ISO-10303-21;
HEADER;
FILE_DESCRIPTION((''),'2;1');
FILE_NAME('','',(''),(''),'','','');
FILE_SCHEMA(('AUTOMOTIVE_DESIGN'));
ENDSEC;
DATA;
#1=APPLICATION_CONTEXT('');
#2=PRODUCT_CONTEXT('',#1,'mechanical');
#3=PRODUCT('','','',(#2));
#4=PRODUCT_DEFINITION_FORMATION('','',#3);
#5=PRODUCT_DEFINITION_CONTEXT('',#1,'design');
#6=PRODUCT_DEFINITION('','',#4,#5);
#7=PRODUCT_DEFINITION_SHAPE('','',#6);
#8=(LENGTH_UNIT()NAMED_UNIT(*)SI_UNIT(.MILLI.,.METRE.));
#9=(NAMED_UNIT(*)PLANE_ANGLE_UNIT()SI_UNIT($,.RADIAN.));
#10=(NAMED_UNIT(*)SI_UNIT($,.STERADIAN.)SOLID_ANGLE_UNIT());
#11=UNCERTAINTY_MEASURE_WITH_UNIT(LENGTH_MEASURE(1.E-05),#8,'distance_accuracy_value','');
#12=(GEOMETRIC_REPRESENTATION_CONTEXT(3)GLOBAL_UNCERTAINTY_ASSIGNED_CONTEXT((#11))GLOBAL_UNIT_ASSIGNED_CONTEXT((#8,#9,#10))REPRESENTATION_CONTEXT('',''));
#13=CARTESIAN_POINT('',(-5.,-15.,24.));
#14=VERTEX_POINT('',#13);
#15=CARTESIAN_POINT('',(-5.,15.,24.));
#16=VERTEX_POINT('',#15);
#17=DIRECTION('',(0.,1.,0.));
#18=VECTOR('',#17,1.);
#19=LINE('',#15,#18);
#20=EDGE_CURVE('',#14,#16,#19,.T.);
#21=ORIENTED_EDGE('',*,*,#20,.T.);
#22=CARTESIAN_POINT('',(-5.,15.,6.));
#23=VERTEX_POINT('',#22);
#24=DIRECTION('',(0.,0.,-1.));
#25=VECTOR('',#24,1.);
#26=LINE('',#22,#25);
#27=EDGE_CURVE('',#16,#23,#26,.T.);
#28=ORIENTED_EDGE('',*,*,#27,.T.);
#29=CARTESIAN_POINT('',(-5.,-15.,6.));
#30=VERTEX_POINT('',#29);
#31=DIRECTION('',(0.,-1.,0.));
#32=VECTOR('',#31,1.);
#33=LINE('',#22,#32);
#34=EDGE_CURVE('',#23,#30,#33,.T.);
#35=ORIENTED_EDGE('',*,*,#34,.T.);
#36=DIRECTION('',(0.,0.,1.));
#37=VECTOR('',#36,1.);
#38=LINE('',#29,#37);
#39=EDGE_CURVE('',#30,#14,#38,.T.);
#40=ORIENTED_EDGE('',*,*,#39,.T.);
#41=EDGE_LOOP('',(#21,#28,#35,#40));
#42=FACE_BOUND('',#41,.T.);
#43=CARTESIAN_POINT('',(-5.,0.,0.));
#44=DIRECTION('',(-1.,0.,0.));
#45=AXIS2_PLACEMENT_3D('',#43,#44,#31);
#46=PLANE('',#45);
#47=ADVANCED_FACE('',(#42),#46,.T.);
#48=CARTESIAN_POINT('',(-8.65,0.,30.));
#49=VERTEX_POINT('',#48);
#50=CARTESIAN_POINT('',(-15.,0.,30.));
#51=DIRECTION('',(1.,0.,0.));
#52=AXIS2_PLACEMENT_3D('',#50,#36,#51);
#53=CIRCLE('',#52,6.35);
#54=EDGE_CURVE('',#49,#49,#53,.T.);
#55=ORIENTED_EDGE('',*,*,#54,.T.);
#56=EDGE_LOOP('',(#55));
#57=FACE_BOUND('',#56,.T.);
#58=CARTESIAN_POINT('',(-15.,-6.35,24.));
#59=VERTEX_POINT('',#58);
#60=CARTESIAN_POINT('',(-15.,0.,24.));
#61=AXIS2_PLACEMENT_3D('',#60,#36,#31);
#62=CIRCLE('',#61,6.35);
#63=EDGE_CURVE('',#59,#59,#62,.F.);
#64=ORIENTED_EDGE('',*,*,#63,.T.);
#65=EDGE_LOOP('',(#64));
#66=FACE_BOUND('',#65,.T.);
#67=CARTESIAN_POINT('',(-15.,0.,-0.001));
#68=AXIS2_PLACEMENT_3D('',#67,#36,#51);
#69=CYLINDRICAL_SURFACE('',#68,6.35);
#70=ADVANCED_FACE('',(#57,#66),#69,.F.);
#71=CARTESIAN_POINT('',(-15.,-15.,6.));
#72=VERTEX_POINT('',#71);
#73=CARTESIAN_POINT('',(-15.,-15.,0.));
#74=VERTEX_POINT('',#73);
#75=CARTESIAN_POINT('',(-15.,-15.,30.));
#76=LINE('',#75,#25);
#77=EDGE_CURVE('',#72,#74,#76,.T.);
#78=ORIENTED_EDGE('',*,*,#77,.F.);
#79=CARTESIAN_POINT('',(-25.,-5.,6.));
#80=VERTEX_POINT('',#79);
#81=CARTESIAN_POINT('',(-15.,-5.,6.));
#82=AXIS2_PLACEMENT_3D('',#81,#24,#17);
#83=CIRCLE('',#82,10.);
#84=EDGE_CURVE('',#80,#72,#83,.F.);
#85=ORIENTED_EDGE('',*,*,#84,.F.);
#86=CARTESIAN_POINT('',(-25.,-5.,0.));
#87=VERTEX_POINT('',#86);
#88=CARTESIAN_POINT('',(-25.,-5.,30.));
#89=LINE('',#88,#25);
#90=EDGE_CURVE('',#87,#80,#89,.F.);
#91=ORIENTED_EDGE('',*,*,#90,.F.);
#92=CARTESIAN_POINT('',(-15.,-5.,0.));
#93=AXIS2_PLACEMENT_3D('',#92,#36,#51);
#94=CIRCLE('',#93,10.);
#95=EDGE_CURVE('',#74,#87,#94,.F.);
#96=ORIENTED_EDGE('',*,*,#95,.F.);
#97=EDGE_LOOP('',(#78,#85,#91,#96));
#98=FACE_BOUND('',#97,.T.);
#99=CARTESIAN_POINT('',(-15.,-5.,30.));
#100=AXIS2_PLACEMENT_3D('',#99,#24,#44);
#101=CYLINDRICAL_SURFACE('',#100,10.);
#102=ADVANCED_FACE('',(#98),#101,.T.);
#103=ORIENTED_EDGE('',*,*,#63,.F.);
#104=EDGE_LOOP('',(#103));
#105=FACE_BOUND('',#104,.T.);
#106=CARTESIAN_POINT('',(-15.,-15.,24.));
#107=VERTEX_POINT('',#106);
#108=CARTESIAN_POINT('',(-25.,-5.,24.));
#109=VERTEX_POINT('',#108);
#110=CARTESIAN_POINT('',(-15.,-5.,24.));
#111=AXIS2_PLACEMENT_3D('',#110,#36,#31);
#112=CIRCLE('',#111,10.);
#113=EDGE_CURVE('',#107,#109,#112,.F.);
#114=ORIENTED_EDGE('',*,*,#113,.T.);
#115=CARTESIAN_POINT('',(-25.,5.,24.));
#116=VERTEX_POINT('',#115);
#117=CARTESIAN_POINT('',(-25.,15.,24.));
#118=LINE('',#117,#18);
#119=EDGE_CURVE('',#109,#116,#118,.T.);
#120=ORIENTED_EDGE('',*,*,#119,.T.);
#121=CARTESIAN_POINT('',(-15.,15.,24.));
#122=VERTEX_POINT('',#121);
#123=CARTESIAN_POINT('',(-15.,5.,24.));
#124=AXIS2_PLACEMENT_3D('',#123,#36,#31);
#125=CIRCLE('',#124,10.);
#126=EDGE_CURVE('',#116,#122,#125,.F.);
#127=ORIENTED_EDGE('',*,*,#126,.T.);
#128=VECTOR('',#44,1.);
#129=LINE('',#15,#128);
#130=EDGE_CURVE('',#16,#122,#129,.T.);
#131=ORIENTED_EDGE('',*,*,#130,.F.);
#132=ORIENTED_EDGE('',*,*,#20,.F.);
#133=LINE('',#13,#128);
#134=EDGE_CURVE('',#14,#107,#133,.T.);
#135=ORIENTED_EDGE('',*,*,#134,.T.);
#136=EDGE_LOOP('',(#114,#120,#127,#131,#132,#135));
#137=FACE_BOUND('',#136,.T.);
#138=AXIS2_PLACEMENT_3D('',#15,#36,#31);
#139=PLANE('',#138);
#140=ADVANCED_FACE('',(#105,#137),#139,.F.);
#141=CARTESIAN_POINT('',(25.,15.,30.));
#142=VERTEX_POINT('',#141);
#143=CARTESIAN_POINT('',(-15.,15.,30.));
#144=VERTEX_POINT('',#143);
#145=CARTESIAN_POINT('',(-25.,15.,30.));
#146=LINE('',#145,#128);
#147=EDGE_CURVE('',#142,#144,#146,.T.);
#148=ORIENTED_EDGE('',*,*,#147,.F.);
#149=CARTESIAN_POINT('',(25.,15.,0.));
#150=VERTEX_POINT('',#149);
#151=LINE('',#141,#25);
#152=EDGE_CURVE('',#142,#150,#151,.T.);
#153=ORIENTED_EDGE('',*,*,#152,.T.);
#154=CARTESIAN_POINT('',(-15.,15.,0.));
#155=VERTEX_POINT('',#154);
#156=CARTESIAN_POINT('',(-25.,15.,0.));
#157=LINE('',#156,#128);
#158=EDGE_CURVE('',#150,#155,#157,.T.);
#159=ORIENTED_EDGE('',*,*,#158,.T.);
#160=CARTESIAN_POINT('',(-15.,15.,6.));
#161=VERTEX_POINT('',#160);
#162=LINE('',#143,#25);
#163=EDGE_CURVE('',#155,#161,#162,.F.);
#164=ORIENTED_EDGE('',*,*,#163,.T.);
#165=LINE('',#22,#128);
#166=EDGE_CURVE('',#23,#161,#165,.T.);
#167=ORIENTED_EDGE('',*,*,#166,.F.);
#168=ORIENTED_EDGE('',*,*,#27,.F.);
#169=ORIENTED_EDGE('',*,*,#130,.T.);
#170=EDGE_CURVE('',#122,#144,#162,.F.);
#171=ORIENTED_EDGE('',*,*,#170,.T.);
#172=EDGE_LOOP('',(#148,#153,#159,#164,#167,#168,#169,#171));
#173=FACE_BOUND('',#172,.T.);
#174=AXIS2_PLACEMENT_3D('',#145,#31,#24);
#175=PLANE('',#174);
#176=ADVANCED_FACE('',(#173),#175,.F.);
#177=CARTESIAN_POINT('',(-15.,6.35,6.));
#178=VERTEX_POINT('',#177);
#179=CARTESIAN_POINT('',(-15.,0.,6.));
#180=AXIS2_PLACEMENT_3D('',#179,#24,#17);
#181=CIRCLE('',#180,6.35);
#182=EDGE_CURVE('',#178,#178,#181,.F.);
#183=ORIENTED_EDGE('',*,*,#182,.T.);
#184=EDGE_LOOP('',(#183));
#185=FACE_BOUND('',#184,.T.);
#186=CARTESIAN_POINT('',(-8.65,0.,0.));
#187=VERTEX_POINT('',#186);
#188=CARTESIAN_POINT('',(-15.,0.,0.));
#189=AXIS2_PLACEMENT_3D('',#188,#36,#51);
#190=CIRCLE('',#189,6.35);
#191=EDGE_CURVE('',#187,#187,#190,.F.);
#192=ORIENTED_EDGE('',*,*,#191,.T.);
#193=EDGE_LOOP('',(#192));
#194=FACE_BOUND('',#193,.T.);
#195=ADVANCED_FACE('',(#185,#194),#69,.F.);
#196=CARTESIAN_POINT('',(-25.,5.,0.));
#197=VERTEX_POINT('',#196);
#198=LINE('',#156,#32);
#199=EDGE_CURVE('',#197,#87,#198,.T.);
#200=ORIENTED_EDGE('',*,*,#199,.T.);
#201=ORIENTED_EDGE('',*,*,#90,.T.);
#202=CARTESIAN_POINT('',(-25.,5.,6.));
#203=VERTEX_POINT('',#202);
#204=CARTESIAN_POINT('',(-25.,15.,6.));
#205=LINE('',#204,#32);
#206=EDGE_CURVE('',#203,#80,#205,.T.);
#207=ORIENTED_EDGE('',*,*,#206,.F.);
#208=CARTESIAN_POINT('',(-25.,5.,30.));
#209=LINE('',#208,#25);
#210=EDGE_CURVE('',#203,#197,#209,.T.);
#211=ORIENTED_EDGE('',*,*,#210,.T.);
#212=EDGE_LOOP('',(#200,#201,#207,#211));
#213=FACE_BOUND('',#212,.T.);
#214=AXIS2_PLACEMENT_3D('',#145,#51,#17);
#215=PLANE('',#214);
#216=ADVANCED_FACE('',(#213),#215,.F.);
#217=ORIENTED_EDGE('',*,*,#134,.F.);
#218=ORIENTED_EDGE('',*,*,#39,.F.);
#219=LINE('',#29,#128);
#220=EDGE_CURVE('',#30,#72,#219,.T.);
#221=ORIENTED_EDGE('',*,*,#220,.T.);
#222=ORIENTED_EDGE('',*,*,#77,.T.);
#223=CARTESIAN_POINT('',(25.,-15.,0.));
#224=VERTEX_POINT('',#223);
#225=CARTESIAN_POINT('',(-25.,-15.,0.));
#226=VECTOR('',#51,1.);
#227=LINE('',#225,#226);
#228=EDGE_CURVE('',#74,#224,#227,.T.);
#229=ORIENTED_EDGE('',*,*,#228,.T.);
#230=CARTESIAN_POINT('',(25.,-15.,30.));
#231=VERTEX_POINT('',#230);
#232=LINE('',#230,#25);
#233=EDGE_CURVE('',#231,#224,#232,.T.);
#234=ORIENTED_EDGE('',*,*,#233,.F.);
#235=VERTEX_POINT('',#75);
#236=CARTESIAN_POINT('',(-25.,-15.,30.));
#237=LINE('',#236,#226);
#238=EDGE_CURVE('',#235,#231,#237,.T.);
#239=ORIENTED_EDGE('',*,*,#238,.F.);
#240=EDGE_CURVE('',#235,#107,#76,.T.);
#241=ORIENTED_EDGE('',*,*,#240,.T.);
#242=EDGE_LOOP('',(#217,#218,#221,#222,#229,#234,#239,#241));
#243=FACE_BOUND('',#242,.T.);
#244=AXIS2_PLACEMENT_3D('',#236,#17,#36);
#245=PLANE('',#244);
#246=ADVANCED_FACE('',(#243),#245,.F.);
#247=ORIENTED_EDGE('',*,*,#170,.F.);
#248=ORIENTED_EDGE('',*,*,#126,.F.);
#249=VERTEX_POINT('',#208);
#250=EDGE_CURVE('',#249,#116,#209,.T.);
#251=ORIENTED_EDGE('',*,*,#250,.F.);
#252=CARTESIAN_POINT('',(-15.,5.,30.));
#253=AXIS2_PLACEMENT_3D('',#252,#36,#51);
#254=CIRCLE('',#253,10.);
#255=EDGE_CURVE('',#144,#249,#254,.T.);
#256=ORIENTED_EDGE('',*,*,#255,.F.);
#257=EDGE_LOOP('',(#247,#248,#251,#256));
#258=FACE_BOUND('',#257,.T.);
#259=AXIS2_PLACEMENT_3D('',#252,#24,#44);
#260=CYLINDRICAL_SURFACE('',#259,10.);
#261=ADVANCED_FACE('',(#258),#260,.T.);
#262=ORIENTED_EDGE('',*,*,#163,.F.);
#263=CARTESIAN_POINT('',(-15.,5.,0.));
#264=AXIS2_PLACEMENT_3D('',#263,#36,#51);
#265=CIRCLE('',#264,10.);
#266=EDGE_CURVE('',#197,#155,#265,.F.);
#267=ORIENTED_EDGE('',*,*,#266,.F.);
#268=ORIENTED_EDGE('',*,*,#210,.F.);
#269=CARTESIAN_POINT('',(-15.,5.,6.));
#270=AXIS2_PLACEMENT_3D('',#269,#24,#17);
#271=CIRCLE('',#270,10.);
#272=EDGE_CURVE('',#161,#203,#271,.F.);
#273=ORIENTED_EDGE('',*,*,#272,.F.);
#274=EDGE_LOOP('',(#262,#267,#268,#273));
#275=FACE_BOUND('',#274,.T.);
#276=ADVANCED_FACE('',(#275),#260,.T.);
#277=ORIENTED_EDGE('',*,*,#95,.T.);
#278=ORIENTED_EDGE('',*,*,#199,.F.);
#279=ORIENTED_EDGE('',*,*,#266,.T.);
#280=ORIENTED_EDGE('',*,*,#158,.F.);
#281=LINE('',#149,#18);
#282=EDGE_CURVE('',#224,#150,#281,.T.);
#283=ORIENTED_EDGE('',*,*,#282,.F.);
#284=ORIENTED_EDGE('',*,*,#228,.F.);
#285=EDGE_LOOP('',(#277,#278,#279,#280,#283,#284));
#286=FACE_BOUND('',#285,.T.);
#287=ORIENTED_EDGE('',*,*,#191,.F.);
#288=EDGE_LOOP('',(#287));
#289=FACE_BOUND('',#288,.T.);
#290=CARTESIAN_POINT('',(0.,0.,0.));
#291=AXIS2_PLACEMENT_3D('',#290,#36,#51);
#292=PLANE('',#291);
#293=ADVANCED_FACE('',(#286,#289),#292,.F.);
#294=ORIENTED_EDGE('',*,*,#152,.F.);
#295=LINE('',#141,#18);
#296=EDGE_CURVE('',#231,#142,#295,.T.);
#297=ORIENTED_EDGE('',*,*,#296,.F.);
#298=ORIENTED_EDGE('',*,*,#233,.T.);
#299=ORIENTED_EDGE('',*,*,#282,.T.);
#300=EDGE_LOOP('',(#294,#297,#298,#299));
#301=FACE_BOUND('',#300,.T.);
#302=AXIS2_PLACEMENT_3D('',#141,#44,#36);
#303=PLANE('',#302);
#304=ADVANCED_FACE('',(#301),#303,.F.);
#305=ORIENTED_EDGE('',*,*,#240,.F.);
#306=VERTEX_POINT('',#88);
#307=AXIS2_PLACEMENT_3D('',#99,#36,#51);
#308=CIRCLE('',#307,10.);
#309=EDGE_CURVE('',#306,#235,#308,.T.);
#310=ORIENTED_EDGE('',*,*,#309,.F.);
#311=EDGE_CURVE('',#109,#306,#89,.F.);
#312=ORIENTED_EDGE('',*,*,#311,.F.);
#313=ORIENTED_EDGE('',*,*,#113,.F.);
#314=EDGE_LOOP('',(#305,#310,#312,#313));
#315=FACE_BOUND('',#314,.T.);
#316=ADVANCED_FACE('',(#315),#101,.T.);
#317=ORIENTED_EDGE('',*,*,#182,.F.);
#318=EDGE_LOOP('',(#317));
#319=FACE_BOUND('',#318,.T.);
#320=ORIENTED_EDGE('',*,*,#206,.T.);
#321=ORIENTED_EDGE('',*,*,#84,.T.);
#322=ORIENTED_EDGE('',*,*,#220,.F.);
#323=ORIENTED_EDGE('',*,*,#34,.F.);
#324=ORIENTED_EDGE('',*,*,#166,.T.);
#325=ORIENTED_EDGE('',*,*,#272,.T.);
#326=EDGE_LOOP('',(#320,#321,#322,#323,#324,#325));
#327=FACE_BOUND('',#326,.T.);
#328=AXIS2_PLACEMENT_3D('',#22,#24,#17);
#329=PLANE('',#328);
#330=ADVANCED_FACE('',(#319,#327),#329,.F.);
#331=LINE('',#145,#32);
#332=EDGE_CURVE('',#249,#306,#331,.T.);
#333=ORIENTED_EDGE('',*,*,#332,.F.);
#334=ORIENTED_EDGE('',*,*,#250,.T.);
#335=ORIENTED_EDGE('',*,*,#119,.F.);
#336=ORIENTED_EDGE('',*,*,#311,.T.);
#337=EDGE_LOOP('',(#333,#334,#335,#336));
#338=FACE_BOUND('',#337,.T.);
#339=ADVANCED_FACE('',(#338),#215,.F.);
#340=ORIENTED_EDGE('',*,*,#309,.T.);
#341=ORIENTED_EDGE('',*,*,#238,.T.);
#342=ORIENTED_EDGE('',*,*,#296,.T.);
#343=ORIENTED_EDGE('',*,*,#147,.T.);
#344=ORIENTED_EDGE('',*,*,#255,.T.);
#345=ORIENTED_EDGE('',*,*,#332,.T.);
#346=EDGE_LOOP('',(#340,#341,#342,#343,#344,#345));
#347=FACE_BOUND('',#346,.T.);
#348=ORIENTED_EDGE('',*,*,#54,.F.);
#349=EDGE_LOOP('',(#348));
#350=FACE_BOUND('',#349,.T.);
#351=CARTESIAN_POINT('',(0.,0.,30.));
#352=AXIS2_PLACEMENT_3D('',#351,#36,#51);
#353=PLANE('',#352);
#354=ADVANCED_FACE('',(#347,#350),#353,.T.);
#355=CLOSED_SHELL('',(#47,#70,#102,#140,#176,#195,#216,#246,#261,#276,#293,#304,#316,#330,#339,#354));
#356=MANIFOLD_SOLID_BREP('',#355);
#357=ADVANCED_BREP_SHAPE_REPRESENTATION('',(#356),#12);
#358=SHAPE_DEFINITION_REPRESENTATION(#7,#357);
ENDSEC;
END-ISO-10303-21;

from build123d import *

# Parameters (mm, degrees)
ESQUISSE1_W             = 50
ESQUISSE1_H             = 30
BOSS_EXTRU_1_DEPTH      = 30
ENL_V_MAT_EXTRU_1_REACH = 43.833
ESQUISSE2_R             = 6.35
CONG_1_R                = 10
ESQUISSE3_W             = 18
ESQUISSE3_H             = 30
ENL_V_MAT_EXTRU_2_DEPTH = 20


with BuildPart() as part:
    # Esquisse1 → Boss.-Extru.1 (new body)
    with BuildSketch(Plane.XY):
        Rectangle(ESQUISSE1_W, ESQUISSE1_H)
    extrude(amount=BOSS_EXTRU_1_DEPTH)

    # Esquisse2 → Enlèv. mat.-Extru.1 (cut, up to next)
    with BuildSketch(Plane.XY.offset(30), mode=Mode.PRIVATE) as enl_v_mat_extru_1_sk1:
        with Locations((-15, 0)):
            Circle(ESQUISSE2_R)
    enl_v_mat_extru_1_tool1 = extrude(enl_v_mat_extru_1_sk1.sketch, amount=-ENL_V_MAT_EXTRU_1_REACH, mode=Mode.PRIVATE) & part.part
    add(enl_v_mat_extru_1_tool1.solids().sort_by_distance((-15, 0, 30))[0], mode=Mode.SUBTRACT)

    # Congé1
    cong_1_edges = [part.edges().sort_by_distance(p)[0] for p in [
        (-25, -15, 15),
        (-25, 15, 15),
    ]]
    fillet(cong_1_edges, radius=CONG_1_R)

    # Esquisse3 → Enlèv. mat.-Extru.2 (cut)
    with BuildSketch(Plane.ZY.offset(25)):
        with Locations((15, 0)):
            Rectangle(ESQUISSE3_W, ESQUISSE3_H)
    extrude(amount=-ENL_V_MAT_EXTRU_2_DEPTH, mode=Mode.SUBTRACT)


solid = part.part
